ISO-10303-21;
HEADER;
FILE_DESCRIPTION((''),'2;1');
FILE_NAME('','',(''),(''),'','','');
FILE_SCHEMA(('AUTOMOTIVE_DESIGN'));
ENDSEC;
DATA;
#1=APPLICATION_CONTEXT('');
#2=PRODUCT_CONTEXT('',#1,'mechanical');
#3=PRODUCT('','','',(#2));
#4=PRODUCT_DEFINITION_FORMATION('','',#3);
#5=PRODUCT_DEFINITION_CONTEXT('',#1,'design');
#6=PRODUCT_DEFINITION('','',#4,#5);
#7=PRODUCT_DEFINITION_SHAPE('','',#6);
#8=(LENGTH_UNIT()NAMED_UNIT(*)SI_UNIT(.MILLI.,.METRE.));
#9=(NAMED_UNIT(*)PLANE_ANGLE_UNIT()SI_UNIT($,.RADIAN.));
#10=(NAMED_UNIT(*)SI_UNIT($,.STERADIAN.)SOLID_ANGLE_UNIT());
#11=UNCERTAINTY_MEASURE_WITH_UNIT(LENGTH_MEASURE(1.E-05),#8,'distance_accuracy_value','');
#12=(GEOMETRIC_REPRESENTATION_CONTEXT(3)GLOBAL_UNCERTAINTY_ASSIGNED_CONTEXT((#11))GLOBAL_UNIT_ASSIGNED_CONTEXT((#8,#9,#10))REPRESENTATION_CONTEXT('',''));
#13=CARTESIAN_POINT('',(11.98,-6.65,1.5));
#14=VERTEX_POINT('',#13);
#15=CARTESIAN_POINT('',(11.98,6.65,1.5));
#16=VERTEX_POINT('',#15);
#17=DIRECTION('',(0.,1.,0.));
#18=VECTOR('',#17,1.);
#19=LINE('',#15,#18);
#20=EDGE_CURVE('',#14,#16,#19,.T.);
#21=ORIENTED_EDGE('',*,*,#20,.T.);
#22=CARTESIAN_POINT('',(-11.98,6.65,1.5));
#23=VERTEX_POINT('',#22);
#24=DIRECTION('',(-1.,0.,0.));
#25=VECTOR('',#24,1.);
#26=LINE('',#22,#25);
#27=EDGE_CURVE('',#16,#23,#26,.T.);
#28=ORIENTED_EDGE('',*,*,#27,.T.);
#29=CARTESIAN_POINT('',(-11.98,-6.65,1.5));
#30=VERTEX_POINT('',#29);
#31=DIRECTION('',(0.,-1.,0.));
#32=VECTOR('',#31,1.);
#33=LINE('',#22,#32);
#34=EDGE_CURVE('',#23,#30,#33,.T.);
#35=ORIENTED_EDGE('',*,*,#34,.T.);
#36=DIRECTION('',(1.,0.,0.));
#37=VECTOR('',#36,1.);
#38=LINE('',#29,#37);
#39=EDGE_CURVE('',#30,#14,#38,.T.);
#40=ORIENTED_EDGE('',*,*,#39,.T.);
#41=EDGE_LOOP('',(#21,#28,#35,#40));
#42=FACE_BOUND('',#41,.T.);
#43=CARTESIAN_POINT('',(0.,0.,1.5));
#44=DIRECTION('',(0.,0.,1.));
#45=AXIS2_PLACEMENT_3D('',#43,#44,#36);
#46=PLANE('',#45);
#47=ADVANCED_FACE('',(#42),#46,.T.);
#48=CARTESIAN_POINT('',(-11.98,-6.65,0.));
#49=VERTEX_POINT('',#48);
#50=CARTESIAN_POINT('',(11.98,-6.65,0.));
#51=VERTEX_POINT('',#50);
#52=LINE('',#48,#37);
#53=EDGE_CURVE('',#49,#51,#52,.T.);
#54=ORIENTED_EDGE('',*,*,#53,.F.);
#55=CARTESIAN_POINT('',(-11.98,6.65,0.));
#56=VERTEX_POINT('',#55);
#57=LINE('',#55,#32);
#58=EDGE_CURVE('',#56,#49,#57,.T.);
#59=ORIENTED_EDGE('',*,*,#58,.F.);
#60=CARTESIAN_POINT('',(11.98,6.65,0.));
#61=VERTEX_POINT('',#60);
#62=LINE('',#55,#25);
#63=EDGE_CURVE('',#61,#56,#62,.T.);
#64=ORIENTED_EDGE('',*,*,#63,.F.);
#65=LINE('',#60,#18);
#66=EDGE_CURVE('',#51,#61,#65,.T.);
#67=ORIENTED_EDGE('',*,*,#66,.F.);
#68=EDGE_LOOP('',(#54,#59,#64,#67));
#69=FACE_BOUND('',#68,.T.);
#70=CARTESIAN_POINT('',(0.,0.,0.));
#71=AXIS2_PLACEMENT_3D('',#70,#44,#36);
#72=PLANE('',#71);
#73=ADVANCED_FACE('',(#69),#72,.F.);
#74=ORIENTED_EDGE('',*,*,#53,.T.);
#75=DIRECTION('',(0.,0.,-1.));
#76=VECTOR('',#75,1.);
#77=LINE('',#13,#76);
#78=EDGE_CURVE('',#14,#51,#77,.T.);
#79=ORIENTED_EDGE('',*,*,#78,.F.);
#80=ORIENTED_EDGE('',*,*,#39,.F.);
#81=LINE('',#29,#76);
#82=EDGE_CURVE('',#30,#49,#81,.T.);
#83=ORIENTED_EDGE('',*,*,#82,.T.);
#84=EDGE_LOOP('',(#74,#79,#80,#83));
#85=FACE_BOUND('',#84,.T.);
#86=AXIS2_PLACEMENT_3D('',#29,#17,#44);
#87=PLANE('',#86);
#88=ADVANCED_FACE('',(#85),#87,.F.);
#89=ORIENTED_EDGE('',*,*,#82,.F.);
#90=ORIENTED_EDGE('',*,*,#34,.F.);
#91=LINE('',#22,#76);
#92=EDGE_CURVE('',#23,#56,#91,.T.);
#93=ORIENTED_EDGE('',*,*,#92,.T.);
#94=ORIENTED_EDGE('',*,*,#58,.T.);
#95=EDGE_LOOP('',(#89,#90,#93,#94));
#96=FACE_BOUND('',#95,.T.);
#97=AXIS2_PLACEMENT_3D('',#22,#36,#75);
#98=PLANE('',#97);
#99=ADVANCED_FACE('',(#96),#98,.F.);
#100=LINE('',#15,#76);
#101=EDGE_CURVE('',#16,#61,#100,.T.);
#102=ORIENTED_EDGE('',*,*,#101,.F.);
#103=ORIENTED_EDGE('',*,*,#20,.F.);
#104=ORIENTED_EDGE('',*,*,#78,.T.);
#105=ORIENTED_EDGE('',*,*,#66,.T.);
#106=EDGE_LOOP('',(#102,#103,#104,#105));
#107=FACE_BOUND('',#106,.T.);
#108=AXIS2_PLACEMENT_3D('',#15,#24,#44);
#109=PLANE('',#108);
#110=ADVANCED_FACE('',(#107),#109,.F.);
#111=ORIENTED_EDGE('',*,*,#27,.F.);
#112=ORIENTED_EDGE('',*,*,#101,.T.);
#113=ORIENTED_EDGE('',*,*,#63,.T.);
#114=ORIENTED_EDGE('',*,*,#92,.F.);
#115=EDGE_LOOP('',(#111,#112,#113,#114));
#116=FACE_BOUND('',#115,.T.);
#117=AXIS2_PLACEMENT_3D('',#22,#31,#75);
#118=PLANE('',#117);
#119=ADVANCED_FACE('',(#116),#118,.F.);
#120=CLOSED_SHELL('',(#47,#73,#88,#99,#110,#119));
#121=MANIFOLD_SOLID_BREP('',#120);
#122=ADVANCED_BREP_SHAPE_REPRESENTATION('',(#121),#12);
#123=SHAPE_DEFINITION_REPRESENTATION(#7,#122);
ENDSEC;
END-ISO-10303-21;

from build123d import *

# Parameters (mm, degrees)
ESQUISSE1_W        = 23.96
ESQUISSE1_H        = 13.3
BOSS_EXTRU_1_DEPTH = 1.5


with BuildPart() as part:
    # Esquisse1 → Boss.-Extru.1 (new body)
    with BuildSketch(Plane.XY):
        Rectangle(ESQUISSE1_W, ESQUISSE1_H)
    extrude(amount=BOSS_EXTRU_1_DEPTH)


solid = part.part
